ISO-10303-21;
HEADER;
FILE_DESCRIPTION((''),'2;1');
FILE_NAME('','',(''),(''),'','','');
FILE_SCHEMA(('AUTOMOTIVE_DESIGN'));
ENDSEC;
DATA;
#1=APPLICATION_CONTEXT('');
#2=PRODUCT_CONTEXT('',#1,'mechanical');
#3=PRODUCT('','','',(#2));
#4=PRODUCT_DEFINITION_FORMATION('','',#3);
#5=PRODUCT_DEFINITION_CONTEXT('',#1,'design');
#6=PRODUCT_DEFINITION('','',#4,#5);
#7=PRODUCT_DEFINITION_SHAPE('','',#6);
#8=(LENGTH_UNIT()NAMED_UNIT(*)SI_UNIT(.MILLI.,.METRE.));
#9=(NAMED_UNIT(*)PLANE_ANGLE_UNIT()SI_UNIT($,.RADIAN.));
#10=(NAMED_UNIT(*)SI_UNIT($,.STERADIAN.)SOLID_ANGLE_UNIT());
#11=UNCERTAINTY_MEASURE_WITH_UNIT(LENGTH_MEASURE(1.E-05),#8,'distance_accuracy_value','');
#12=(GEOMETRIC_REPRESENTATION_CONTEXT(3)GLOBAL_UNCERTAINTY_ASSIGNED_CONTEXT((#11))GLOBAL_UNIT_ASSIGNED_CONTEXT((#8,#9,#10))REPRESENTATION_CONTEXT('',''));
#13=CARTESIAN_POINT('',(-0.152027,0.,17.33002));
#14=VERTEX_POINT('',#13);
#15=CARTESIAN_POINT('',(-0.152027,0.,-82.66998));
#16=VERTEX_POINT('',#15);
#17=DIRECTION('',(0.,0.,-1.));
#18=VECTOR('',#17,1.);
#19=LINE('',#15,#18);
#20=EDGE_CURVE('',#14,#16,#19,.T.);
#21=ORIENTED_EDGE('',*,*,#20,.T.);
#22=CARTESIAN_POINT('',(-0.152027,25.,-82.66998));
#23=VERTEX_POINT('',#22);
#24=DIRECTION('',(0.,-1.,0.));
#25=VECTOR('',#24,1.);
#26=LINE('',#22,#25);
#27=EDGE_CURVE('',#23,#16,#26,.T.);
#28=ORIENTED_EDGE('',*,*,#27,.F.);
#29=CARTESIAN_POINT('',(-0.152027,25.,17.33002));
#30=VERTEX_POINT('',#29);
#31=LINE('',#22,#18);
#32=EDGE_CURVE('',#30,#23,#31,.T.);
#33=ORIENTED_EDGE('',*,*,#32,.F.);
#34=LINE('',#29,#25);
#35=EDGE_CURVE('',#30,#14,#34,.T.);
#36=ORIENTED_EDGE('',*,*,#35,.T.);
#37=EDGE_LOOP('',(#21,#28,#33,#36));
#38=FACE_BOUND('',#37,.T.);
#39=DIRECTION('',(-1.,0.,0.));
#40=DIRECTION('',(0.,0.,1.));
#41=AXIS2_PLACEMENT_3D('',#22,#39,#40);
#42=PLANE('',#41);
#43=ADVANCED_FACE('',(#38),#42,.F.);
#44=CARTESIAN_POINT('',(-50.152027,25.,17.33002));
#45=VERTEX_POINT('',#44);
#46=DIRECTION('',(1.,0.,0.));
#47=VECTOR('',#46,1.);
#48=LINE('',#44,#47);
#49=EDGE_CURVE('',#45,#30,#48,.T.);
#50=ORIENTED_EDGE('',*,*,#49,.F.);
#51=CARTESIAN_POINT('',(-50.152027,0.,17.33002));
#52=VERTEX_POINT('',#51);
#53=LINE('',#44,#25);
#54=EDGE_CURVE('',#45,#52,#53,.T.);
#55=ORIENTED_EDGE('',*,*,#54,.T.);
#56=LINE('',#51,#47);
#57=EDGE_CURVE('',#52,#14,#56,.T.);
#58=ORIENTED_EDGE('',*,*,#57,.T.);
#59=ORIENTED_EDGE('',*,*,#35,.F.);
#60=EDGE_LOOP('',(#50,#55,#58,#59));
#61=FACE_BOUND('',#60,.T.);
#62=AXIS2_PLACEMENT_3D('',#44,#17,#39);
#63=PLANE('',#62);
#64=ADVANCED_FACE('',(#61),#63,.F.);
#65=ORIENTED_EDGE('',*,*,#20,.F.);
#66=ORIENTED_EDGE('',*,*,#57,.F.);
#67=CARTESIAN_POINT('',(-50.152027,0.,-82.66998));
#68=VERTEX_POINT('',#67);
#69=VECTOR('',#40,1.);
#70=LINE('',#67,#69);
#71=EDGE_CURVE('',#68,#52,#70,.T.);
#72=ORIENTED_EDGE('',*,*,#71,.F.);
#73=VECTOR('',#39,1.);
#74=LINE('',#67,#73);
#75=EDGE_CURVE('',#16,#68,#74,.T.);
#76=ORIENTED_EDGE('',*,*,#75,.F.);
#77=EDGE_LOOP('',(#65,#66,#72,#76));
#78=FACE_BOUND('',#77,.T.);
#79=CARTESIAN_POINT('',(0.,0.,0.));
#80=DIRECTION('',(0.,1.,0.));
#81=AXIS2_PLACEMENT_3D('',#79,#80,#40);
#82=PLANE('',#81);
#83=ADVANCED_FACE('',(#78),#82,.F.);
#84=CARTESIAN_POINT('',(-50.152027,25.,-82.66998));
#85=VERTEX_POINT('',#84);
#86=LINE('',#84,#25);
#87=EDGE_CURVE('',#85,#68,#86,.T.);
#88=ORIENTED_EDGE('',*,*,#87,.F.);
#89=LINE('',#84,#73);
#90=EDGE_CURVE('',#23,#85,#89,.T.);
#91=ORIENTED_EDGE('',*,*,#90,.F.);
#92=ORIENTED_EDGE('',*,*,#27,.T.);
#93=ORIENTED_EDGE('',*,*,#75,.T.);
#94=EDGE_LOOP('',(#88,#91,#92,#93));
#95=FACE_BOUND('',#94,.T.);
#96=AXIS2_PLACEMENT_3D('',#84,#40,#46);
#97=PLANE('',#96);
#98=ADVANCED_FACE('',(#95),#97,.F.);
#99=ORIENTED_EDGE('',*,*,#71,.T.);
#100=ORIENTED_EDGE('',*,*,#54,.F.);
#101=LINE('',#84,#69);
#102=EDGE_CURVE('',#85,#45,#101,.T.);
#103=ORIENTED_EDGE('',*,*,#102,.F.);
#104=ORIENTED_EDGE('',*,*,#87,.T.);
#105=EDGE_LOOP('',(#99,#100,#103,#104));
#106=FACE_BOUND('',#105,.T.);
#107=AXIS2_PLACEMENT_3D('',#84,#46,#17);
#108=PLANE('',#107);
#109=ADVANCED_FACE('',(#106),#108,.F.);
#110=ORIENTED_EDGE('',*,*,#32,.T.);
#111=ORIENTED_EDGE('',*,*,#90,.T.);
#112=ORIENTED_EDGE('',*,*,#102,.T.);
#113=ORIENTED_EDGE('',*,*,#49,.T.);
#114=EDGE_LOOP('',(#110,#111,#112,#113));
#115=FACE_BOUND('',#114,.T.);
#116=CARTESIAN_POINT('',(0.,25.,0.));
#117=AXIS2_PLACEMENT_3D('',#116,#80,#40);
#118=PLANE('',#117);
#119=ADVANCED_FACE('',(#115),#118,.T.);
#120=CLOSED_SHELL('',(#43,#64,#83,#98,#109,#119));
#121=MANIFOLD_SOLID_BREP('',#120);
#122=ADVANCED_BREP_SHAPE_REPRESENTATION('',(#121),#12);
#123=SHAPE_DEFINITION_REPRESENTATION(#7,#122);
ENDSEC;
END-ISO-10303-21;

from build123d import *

# Parameters (mm, degrees)
SKETCH1_W           = 50
SKETCH1_H           = 100
BOSS_EXTRUDE1_DEPTH = 25


with BuildPart() as part:
    # Sketch1 → Boss-Extrude1 (new body)
    with BuildSketch(Plane(origin=(0, 0, 0), x_dir=(1, 0, 0), z_dir=(0, 1, 0))):
        with Locations((-25.152027434, 32.669980049)):
            Rectangle(SKETCH1_W, SKETCH1_H)
    extrude(amount=BOSS_EXTRUDE1_DEPTH)


solid = part.part
